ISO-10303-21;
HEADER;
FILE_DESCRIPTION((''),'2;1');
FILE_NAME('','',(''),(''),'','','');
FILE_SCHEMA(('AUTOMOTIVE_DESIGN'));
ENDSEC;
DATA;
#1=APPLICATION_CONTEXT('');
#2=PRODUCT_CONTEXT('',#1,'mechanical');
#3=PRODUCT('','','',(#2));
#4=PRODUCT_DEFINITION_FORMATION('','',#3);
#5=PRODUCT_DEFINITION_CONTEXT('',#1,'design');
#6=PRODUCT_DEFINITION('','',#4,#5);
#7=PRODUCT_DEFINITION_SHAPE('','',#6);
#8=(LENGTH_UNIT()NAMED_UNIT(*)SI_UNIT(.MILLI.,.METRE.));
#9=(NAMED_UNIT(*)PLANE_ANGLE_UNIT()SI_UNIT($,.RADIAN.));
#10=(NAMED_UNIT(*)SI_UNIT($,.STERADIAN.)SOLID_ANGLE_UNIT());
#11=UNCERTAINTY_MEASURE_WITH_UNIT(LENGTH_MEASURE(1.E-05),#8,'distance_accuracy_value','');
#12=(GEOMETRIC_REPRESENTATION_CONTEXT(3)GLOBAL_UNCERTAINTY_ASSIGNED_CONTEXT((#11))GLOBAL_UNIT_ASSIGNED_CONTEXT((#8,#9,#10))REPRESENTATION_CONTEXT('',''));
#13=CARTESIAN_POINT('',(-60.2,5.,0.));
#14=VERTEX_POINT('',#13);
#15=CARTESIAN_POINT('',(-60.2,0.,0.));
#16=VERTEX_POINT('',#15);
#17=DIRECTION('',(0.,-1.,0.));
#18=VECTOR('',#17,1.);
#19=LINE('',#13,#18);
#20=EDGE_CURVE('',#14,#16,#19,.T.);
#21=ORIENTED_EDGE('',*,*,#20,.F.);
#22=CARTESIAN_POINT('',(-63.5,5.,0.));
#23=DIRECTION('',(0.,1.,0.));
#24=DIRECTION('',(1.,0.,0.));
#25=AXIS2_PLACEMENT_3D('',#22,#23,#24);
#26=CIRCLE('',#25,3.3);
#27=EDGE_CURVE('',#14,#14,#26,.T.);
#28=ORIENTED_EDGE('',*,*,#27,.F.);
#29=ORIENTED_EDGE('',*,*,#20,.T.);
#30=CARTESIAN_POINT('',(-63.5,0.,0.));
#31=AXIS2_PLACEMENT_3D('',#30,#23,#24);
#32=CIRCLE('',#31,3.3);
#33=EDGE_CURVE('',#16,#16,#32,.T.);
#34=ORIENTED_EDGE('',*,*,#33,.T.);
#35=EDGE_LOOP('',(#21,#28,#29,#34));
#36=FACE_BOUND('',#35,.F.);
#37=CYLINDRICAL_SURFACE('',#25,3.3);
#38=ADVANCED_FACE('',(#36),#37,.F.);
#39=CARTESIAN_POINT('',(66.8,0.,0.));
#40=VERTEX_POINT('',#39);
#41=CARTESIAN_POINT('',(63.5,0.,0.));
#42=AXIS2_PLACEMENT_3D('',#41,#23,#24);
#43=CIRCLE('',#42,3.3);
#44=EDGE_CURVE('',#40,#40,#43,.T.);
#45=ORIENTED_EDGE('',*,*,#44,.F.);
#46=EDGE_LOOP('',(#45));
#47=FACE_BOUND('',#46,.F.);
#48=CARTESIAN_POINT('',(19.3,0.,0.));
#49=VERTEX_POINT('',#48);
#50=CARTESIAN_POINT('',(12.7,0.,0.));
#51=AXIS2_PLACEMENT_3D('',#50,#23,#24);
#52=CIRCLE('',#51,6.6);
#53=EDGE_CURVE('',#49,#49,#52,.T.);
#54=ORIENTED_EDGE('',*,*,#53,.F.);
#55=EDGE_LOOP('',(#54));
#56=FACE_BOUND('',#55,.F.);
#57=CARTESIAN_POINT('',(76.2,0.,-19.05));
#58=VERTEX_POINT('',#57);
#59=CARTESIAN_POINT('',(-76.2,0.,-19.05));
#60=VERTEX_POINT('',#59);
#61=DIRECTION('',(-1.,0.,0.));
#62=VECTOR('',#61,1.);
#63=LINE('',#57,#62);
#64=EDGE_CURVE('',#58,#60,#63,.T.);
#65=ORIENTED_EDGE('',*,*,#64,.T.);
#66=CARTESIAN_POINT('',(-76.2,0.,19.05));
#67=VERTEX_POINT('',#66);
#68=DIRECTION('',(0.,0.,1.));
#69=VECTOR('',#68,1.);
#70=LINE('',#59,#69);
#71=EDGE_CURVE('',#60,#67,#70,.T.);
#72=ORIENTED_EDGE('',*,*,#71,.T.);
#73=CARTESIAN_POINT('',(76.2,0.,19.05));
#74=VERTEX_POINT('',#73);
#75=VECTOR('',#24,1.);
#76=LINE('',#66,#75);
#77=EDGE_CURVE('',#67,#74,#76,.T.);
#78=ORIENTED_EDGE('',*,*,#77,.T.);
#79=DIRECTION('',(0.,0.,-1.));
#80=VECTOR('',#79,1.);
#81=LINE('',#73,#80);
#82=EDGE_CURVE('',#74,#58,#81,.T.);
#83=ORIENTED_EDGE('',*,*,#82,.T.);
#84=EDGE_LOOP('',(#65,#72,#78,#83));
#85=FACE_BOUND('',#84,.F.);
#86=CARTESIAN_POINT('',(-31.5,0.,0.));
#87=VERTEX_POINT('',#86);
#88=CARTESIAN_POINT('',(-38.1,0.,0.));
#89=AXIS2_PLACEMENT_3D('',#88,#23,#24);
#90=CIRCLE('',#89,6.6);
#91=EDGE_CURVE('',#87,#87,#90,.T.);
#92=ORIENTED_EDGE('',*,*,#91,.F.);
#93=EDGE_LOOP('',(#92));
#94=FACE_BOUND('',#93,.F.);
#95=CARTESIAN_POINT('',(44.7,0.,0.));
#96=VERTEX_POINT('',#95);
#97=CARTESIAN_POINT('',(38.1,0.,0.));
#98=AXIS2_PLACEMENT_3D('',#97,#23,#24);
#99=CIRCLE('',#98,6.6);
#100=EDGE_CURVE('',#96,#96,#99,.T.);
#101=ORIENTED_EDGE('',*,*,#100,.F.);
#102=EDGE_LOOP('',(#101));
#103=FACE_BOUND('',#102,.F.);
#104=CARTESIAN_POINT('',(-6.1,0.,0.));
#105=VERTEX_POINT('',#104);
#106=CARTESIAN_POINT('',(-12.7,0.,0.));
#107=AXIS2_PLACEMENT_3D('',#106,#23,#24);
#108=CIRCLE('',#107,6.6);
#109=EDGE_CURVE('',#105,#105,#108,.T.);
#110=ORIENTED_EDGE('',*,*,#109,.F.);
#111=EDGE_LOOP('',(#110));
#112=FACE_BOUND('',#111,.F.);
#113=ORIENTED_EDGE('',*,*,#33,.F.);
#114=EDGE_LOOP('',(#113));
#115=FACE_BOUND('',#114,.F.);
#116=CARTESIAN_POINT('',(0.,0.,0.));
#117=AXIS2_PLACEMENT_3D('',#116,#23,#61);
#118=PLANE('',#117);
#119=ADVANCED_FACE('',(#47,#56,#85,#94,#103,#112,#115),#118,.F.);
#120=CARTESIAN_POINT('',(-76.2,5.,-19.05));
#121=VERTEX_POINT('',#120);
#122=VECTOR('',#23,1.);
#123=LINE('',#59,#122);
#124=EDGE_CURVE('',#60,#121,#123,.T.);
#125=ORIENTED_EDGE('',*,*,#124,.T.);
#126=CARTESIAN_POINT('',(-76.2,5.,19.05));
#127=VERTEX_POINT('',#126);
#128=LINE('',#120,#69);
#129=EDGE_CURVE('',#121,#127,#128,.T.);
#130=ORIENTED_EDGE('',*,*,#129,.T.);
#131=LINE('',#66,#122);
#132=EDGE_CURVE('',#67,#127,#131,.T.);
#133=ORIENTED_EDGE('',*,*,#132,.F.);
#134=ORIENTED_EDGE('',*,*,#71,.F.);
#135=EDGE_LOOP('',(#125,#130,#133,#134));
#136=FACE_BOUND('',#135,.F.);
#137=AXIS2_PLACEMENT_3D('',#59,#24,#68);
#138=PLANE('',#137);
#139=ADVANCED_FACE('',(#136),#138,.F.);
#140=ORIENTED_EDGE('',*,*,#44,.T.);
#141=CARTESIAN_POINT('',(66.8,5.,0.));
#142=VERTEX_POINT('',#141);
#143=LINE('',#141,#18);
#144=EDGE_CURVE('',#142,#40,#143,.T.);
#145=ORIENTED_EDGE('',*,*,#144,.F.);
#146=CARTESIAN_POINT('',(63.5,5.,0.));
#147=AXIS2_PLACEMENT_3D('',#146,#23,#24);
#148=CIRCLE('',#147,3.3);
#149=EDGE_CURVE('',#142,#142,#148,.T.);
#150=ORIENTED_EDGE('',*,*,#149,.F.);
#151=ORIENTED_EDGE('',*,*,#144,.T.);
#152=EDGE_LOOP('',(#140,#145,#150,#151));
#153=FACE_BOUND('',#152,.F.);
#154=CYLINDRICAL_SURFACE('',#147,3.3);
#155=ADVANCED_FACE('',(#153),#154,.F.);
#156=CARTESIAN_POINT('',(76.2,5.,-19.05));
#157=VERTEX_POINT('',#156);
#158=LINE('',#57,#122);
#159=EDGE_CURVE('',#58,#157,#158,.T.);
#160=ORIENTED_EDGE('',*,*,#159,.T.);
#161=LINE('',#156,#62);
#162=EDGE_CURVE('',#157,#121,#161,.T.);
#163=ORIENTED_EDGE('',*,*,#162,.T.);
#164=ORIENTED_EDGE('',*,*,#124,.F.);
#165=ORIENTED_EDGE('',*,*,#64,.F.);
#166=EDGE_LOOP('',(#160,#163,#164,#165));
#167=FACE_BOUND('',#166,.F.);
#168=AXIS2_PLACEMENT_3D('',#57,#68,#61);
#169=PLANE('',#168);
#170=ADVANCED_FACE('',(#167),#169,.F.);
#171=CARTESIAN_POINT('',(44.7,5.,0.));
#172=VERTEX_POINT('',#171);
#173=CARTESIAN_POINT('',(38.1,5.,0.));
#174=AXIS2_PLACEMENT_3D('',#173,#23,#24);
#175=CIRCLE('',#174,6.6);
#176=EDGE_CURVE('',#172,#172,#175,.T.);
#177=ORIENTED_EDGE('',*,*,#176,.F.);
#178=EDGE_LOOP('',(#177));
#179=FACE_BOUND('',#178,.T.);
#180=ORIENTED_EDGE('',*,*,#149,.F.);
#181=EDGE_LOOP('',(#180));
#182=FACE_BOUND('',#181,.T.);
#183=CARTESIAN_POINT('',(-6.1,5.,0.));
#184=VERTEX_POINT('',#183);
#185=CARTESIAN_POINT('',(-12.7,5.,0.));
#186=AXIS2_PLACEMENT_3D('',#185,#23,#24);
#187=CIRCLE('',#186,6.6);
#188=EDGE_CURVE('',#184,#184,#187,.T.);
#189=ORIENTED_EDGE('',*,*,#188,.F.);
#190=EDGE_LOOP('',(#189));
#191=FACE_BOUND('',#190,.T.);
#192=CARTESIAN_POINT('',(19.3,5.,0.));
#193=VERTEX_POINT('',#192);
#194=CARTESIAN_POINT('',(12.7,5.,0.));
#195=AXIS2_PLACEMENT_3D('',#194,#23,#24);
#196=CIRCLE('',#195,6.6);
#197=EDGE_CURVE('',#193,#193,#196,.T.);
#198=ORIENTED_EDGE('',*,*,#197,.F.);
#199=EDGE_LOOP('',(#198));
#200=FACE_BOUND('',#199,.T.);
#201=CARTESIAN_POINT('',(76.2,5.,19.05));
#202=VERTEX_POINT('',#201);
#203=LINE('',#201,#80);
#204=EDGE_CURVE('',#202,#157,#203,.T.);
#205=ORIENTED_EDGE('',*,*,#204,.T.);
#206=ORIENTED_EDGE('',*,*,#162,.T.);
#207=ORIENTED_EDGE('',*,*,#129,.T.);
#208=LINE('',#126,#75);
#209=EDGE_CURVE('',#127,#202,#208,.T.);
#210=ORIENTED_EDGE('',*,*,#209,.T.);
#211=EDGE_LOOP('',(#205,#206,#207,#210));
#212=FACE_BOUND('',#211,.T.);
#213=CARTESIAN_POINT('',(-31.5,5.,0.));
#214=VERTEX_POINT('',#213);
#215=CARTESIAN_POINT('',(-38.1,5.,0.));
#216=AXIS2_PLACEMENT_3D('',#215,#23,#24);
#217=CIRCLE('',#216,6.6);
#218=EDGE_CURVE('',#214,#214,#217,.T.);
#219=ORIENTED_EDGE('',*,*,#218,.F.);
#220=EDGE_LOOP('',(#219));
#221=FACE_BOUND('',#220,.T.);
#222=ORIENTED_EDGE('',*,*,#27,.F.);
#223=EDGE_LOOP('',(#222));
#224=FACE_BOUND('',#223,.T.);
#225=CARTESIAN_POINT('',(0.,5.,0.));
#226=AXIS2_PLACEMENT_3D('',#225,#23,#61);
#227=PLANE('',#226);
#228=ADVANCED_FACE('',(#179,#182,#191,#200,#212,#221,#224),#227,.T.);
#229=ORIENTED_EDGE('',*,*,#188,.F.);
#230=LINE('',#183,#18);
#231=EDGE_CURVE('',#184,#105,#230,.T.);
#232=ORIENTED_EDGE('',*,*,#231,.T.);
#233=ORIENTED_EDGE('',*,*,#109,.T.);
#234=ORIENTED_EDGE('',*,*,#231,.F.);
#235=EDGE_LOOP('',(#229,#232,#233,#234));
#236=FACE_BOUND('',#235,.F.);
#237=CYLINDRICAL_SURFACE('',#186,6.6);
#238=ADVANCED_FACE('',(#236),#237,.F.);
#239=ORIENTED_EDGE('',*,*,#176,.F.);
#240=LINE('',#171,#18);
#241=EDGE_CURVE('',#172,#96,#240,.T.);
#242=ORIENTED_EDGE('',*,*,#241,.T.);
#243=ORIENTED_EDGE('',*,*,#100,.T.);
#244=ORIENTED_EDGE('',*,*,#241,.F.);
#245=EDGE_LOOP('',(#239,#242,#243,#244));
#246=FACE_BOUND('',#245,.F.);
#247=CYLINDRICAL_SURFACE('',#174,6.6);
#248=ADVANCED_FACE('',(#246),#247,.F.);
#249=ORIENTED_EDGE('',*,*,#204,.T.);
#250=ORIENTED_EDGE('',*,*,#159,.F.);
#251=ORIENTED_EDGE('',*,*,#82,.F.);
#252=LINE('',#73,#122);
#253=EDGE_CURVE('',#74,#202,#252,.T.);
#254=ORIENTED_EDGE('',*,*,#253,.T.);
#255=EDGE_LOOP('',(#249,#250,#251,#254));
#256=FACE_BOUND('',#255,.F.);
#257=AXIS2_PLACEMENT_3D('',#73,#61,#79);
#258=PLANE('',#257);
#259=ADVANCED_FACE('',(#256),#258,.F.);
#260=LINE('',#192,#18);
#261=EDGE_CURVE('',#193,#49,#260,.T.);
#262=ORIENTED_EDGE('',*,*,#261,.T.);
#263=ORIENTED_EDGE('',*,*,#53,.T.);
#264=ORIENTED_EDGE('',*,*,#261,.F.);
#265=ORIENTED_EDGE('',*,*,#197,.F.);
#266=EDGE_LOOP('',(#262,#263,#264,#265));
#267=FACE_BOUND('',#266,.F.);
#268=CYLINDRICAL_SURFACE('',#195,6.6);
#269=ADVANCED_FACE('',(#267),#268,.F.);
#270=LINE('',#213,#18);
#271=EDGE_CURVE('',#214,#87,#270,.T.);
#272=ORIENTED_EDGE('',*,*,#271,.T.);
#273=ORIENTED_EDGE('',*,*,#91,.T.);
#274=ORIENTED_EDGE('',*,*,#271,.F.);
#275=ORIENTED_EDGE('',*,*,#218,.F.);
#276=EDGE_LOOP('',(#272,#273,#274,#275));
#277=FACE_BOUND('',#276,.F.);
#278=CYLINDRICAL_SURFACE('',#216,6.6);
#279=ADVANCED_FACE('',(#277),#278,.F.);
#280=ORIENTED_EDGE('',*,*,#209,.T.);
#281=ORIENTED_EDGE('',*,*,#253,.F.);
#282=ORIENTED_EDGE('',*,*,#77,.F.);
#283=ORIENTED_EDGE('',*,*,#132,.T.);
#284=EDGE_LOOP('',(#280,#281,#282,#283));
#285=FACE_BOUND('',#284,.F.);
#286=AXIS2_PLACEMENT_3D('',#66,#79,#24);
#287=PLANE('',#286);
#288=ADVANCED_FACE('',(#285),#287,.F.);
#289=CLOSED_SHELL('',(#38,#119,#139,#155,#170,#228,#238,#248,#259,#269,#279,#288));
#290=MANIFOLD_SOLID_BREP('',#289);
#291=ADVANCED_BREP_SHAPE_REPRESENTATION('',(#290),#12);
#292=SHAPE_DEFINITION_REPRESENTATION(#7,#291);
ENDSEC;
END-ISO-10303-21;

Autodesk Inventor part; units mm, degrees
ref_plane "YZ Plane" through (0, 0, 0) normal (1, 0, 0) x (0, 1, 0)
ref_plane "XZ Plane" through (0, 0, 0) normal (0, 1, 0) x (-1, 0, 0)
ref_plane "XY Plane" through (0, 0, 0) normal (0, 0, 1) x (1, 0, 0)
sketch "Sketch1" plane through (0, 0, 0) normal (0, 1, 0) x (-1, 0, 0)
  line L0 (76.2, 19.05) -> (-76.2, 19.05)
  line L1 (-76.2, 19.05) -> (-76.2, -19.05)
  line L2 (-76.2, -19.05) -> (76.2, -19.05)
  line L3 (76.2, -19.05) -> (76.2, 19.05)
  line L4 (76.2, 19.05) -> (-76.2, -19.05) construction
  line L5 (-76.2, 19.05) -> (76.2, -19.05) construction
  point P0 (0, 0)
  dimension "d0" = 152.4
  dimension "d1" = 38.1
extrude "Extrusion1" add sketch "Sketch1" along normal blind 5
sketch "Sketch2" plane through (0, 5, 0) normal (0, 1, 0) x (1, 0, 0)
  circle A0 centre (-38.1, 0) radius 6.6
  circle A1 centre (-12.7, 0) radius 6.6
  circle A2 centre (12.7, 0) radius 6.6
  circle A3 centre (38.1, 0) radius 6.6
  line L0 (-76.2, 19.05) -> (-76.2, -19.05) projected
  line L1 (76.2, -19.05) -> (76.2, 19.05) projected
  circle A4 centre (-63.5, 0) radius 3.3
  circle A5 centre (63.5, 0) radius 3.3
  point P0 (0, 0)
  dimension "d4" = 13.2
  dimension "d5" = 13.2
  dimension "d6" = 13.2
  dimension "d7" = 13.2
  dimension "d8" = 25.4
  dimension "d9" = 25.4
  dimension "d10" = 25.4
  dimension "d12" = 38.1
  dimension "d13" = 6.6
  dimension "d14" = 6.6
  dimension "d15" = 12.7
  dimension "d16" = 12.7
extrude "Extrusion2" cut sketch "Sketch2" against normal up to next
properties part number "Vial_Plate"
